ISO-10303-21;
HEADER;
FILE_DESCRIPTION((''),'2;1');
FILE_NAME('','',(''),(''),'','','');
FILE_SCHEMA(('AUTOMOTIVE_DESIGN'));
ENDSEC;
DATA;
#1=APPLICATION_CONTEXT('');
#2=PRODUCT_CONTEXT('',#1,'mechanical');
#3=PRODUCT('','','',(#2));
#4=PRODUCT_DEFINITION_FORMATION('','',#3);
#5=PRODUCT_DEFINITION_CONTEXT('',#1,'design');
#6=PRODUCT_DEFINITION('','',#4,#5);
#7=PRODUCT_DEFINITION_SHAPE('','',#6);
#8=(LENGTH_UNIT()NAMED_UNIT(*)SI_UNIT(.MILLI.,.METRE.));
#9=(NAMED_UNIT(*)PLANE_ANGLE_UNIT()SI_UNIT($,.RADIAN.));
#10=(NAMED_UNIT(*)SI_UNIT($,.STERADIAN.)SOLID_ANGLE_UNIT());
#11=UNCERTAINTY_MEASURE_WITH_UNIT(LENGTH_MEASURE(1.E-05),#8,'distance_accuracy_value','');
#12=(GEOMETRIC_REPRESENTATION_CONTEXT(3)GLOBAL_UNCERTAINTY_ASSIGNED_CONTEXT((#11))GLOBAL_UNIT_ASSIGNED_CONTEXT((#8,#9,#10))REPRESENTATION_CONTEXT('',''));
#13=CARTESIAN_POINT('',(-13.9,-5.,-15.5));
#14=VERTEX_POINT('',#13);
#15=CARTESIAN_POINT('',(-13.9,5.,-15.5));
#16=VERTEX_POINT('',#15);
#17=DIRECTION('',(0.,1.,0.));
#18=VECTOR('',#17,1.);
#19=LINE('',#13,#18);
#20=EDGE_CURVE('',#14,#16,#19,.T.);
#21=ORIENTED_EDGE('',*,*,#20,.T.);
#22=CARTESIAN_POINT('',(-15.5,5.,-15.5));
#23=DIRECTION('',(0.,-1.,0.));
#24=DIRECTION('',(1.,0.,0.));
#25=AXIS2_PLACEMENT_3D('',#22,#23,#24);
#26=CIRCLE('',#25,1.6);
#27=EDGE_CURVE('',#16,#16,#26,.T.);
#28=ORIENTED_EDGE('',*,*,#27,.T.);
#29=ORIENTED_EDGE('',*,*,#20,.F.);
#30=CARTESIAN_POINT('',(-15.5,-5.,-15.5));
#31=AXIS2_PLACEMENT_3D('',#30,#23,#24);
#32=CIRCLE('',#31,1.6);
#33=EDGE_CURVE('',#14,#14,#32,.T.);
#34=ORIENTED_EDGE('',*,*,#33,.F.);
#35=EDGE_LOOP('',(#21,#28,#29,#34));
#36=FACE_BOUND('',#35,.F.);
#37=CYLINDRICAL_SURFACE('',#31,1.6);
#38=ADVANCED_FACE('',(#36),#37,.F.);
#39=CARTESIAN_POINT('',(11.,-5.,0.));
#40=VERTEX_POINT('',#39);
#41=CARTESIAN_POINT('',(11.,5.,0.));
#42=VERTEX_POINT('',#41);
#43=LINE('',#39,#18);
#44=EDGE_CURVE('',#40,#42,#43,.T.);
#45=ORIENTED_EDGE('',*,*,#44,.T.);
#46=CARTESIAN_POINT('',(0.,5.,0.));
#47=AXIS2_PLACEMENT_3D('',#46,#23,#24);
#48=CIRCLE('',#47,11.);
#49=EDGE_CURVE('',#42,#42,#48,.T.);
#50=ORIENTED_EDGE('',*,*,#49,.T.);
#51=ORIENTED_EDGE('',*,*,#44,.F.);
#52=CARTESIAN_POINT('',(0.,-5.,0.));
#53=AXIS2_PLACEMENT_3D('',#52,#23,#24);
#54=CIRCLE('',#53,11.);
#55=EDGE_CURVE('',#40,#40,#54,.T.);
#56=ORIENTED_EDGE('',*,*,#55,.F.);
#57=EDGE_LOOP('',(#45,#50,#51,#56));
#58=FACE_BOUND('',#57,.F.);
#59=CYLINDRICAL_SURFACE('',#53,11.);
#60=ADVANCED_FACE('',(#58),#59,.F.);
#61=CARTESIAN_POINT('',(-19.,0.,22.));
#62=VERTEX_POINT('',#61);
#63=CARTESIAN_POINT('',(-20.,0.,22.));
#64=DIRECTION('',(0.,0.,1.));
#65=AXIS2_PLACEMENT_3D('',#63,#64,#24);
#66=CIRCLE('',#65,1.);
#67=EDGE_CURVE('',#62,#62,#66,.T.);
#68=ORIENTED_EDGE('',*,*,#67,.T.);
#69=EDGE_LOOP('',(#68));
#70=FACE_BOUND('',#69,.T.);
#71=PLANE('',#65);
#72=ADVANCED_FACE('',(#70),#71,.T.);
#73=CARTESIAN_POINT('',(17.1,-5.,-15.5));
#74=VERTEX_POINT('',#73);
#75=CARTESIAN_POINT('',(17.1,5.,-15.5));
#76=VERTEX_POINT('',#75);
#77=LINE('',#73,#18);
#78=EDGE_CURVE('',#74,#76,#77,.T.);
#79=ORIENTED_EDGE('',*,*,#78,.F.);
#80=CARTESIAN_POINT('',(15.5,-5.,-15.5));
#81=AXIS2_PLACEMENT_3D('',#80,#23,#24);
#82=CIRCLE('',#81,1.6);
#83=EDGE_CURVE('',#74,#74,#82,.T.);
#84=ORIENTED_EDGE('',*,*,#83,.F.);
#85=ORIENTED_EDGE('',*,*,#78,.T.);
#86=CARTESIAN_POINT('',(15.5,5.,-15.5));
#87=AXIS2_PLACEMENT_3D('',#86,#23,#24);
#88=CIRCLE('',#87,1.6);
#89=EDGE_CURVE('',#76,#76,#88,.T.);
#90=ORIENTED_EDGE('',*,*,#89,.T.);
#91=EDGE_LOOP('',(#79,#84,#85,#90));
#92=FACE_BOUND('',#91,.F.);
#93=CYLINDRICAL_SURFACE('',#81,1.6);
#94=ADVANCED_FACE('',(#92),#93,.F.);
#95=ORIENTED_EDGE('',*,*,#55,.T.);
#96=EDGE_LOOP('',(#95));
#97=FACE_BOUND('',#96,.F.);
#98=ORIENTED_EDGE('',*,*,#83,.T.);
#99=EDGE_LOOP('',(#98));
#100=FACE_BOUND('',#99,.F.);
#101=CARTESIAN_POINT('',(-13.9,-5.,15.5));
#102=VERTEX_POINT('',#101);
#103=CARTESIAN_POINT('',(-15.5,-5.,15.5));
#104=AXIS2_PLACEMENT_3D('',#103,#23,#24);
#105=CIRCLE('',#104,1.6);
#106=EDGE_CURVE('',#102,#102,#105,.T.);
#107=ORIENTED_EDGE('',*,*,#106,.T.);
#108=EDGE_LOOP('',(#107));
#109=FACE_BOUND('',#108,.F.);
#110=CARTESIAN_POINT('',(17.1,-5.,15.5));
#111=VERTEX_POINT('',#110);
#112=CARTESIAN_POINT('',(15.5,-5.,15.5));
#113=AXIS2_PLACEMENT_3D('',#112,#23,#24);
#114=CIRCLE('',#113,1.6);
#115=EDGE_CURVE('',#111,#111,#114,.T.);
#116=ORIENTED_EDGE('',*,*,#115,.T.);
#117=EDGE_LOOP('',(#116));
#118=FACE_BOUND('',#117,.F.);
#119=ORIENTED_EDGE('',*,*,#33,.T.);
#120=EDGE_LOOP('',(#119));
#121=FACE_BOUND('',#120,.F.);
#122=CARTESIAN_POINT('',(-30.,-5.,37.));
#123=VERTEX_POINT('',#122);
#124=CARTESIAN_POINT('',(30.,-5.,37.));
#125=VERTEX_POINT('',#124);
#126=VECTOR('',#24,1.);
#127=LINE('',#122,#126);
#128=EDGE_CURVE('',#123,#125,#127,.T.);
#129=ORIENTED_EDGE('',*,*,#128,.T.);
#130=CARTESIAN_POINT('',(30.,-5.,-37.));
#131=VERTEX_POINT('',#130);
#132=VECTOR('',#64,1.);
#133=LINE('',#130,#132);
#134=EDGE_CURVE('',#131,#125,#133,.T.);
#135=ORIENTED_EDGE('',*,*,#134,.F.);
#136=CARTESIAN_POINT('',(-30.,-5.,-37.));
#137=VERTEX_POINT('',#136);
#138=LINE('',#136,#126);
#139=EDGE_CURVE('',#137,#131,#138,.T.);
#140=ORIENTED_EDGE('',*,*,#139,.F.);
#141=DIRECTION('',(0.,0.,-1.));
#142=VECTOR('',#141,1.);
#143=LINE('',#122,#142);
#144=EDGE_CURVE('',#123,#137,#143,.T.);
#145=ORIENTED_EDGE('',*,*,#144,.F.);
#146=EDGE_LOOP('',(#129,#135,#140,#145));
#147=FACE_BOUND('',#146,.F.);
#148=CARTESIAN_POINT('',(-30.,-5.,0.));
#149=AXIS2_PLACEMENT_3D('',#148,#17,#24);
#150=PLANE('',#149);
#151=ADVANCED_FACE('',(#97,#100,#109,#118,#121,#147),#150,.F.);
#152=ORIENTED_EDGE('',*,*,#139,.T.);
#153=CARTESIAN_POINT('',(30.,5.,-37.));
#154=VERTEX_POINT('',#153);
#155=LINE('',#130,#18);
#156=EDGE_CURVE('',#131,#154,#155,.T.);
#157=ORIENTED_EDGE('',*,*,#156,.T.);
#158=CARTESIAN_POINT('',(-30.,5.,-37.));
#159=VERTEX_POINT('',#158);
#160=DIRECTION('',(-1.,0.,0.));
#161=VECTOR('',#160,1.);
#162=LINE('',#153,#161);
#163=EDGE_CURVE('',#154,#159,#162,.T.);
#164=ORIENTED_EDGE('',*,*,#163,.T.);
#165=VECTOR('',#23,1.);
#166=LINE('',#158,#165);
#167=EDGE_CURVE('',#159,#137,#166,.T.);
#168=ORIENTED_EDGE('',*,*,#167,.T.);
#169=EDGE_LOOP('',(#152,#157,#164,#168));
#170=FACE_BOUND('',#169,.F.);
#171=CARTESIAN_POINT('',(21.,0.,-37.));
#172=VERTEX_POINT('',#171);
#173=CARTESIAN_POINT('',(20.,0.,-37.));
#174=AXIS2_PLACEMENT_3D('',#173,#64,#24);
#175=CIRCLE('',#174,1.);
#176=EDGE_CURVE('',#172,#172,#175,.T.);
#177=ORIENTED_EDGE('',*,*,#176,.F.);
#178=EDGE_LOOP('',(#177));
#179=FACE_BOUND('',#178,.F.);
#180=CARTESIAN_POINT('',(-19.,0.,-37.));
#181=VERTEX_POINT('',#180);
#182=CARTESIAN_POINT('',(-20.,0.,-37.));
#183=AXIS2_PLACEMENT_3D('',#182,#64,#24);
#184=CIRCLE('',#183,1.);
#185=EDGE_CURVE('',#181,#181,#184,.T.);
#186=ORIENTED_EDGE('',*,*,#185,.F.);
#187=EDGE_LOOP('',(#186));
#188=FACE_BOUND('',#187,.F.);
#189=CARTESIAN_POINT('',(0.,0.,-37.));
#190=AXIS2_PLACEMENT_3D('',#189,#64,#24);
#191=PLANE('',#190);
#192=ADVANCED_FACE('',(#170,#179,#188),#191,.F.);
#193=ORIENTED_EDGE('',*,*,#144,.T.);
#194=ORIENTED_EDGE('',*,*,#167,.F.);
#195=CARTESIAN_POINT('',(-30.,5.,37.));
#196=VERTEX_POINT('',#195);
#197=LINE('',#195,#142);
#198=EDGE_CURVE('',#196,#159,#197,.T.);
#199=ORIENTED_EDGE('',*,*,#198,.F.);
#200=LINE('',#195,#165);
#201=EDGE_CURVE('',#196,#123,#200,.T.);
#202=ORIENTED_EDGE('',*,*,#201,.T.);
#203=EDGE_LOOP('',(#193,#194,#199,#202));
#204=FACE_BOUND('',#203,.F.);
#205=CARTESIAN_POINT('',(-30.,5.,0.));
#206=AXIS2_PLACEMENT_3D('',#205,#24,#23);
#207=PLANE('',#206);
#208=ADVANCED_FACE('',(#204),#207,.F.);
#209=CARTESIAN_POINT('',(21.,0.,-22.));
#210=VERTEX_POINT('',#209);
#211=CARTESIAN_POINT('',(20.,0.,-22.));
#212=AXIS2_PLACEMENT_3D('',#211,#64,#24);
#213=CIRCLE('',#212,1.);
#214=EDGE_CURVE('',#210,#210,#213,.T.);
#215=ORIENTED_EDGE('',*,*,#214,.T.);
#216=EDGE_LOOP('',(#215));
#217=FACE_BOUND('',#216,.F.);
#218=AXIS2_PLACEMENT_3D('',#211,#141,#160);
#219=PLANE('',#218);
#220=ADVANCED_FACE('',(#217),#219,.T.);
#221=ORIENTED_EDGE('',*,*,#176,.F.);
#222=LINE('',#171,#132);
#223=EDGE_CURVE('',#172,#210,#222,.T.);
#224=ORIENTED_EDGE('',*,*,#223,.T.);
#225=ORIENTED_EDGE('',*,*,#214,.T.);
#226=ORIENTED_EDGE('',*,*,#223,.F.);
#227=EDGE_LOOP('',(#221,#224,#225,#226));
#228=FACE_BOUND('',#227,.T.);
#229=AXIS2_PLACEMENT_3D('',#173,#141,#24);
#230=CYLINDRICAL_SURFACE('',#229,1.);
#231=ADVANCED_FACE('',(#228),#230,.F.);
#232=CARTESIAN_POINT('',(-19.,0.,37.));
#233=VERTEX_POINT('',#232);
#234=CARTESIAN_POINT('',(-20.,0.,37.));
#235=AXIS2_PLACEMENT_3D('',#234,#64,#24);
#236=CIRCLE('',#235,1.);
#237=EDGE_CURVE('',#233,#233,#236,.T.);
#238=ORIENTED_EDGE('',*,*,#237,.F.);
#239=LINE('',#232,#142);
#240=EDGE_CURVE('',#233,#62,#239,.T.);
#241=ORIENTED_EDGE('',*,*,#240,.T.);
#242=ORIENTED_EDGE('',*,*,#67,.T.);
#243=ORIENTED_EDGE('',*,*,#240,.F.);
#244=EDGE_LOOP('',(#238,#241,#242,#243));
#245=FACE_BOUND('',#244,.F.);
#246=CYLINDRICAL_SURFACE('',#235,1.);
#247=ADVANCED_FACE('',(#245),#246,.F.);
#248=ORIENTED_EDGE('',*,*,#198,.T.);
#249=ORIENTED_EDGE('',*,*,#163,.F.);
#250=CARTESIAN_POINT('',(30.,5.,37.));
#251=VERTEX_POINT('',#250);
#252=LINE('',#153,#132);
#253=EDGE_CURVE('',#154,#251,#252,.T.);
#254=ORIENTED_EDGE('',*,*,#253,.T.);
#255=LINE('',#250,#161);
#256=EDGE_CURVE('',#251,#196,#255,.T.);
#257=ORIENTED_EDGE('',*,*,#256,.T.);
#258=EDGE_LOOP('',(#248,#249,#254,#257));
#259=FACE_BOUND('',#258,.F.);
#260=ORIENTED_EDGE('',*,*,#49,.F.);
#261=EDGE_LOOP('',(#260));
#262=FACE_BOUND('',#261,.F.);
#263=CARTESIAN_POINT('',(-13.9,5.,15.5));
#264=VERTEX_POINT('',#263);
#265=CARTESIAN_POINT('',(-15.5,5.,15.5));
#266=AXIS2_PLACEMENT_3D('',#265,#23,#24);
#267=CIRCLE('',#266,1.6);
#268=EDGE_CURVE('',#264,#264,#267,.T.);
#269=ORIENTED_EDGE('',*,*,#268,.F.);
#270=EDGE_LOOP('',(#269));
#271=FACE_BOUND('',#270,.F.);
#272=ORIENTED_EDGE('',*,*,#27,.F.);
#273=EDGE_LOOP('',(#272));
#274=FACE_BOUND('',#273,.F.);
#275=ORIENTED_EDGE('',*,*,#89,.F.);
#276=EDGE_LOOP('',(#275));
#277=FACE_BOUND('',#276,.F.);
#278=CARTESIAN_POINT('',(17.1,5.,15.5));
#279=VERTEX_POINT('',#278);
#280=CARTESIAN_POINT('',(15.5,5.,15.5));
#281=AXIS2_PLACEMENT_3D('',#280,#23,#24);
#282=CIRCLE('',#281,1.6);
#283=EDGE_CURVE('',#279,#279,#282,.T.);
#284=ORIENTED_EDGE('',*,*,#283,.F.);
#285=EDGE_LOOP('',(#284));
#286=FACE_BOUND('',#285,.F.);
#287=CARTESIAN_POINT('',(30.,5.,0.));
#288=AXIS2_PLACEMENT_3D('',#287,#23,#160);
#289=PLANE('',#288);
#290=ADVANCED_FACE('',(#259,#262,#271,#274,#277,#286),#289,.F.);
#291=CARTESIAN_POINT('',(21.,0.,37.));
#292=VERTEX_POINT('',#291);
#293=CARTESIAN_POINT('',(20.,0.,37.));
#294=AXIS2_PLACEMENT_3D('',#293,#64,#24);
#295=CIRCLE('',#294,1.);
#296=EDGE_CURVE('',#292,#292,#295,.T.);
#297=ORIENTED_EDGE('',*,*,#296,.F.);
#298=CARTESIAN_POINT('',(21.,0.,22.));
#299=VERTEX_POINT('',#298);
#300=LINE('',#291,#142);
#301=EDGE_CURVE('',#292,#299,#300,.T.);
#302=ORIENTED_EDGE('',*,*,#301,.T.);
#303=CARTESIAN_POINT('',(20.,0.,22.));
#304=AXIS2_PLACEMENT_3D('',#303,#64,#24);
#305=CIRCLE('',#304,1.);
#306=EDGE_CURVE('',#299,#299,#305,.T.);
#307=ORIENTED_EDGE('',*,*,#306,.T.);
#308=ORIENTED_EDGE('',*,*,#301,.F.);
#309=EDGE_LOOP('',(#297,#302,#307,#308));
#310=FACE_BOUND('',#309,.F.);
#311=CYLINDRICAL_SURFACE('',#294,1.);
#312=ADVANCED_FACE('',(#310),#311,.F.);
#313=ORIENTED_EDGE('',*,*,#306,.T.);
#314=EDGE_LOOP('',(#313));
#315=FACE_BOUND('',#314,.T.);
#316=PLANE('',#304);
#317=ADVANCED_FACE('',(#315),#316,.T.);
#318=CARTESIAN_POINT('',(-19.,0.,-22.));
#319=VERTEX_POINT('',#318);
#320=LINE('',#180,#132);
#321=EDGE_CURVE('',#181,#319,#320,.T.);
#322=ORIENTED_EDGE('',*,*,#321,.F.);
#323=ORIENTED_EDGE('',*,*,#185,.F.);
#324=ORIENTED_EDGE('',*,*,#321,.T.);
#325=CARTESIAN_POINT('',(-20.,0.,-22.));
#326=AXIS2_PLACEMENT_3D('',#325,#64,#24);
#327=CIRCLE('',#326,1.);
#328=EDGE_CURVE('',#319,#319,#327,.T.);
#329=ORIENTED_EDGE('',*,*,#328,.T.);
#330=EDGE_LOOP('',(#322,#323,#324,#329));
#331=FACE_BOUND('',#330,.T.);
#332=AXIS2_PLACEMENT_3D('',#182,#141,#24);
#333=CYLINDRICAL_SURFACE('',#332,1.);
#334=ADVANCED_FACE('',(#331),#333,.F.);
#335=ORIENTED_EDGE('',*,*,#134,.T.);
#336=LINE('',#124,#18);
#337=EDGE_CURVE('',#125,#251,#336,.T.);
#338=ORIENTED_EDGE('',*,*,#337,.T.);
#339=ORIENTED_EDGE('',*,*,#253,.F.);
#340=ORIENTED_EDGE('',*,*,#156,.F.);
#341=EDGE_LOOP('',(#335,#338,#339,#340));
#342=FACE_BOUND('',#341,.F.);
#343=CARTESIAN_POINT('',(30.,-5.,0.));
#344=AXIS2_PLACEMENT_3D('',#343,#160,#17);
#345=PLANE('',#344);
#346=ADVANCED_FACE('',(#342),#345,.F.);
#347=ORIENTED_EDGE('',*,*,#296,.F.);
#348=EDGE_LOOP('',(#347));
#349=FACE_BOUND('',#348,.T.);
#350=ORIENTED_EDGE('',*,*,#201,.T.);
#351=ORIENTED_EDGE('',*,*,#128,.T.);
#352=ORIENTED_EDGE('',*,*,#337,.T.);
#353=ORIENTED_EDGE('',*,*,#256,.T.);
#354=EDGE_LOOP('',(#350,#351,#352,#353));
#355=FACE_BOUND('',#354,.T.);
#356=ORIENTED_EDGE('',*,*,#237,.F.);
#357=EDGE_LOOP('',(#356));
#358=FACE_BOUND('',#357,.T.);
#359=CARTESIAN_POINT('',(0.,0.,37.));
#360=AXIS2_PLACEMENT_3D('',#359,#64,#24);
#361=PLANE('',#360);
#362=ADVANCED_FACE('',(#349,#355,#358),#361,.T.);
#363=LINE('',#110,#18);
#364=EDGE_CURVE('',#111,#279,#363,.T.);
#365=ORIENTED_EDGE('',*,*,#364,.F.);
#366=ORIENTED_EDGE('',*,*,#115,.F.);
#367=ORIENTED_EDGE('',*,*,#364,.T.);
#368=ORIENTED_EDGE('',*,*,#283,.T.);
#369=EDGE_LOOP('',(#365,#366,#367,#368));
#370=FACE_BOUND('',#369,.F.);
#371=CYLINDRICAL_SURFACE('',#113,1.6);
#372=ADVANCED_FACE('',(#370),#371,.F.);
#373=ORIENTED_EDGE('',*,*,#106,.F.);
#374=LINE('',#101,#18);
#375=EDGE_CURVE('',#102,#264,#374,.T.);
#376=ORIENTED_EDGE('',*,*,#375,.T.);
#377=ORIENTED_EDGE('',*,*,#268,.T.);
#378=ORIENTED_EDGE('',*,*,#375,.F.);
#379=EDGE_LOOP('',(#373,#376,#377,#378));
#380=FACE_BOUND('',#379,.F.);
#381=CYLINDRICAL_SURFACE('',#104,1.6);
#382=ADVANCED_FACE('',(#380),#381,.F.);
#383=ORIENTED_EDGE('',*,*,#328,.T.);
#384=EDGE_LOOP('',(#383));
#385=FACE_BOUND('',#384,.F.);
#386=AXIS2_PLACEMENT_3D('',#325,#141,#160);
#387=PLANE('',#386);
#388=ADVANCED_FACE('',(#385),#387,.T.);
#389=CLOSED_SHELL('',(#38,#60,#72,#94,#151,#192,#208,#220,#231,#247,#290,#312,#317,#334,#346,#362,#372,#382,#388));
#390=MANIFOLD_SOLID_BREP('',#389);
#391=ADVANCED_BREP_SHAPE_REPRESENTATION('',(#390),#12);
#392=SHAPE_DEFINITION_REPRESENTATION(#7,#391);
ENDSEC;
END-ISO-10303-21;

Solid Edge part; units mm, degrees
sketch "Sketch1" plane through (0, 0, 0) normal (0, 0, 1) x (1, 0, 0)
  line L0 (-30, -5) -> (30, -5)
  line L1 (30, -5) -> (30, 5)
  line L2 (30, 5) -> (-30, 5)
  line L3 (-30, 5) -> (-30, -5)
  dimension "D1" = 60
  dimension "D2" = 10
extrude "Protrusion1" add sketch "Sketch1" along normal mid plane 74
sketch "Sketch2" plane through (0, 0, 37) normal (0, 0, 1) x (1, 0, 0)
  circle A0 centre (-20, 0) radius 1
  circle A1 centre (20, 0) radius 1
  dimension "D1" = 2
  dimension "D2" = 40
extrude "Extrusionsausschnitt_1" cut sketch "Sketch2" against normal blind 15
mirror "Mirror1" about plane through (0, 0, 0) normal (0, 0, 1) of "Extrusionsausschnitt_1"
sketch "Sketch3" plane through (0, -5, 0) normal (0, -1, 0) x (1, 0, 0)
  circle A0 centre (0, 0) radius 11
  circle A1 centre (-15.5, 15.5) radius 1.6
  circle A2 centre (-15.5, -15.5) radius 1.6
  circle A3 centre (15.5, -15.5) radius 1.6
  circle A4 centre (15.5, 15.5) radius 1.6
  dimension "D1" = 22
  dimension "D2" = 31
extrude "Cutout1" cut sketch "Sketch3" against normal through all
properties material "Nylon, allgemein"
